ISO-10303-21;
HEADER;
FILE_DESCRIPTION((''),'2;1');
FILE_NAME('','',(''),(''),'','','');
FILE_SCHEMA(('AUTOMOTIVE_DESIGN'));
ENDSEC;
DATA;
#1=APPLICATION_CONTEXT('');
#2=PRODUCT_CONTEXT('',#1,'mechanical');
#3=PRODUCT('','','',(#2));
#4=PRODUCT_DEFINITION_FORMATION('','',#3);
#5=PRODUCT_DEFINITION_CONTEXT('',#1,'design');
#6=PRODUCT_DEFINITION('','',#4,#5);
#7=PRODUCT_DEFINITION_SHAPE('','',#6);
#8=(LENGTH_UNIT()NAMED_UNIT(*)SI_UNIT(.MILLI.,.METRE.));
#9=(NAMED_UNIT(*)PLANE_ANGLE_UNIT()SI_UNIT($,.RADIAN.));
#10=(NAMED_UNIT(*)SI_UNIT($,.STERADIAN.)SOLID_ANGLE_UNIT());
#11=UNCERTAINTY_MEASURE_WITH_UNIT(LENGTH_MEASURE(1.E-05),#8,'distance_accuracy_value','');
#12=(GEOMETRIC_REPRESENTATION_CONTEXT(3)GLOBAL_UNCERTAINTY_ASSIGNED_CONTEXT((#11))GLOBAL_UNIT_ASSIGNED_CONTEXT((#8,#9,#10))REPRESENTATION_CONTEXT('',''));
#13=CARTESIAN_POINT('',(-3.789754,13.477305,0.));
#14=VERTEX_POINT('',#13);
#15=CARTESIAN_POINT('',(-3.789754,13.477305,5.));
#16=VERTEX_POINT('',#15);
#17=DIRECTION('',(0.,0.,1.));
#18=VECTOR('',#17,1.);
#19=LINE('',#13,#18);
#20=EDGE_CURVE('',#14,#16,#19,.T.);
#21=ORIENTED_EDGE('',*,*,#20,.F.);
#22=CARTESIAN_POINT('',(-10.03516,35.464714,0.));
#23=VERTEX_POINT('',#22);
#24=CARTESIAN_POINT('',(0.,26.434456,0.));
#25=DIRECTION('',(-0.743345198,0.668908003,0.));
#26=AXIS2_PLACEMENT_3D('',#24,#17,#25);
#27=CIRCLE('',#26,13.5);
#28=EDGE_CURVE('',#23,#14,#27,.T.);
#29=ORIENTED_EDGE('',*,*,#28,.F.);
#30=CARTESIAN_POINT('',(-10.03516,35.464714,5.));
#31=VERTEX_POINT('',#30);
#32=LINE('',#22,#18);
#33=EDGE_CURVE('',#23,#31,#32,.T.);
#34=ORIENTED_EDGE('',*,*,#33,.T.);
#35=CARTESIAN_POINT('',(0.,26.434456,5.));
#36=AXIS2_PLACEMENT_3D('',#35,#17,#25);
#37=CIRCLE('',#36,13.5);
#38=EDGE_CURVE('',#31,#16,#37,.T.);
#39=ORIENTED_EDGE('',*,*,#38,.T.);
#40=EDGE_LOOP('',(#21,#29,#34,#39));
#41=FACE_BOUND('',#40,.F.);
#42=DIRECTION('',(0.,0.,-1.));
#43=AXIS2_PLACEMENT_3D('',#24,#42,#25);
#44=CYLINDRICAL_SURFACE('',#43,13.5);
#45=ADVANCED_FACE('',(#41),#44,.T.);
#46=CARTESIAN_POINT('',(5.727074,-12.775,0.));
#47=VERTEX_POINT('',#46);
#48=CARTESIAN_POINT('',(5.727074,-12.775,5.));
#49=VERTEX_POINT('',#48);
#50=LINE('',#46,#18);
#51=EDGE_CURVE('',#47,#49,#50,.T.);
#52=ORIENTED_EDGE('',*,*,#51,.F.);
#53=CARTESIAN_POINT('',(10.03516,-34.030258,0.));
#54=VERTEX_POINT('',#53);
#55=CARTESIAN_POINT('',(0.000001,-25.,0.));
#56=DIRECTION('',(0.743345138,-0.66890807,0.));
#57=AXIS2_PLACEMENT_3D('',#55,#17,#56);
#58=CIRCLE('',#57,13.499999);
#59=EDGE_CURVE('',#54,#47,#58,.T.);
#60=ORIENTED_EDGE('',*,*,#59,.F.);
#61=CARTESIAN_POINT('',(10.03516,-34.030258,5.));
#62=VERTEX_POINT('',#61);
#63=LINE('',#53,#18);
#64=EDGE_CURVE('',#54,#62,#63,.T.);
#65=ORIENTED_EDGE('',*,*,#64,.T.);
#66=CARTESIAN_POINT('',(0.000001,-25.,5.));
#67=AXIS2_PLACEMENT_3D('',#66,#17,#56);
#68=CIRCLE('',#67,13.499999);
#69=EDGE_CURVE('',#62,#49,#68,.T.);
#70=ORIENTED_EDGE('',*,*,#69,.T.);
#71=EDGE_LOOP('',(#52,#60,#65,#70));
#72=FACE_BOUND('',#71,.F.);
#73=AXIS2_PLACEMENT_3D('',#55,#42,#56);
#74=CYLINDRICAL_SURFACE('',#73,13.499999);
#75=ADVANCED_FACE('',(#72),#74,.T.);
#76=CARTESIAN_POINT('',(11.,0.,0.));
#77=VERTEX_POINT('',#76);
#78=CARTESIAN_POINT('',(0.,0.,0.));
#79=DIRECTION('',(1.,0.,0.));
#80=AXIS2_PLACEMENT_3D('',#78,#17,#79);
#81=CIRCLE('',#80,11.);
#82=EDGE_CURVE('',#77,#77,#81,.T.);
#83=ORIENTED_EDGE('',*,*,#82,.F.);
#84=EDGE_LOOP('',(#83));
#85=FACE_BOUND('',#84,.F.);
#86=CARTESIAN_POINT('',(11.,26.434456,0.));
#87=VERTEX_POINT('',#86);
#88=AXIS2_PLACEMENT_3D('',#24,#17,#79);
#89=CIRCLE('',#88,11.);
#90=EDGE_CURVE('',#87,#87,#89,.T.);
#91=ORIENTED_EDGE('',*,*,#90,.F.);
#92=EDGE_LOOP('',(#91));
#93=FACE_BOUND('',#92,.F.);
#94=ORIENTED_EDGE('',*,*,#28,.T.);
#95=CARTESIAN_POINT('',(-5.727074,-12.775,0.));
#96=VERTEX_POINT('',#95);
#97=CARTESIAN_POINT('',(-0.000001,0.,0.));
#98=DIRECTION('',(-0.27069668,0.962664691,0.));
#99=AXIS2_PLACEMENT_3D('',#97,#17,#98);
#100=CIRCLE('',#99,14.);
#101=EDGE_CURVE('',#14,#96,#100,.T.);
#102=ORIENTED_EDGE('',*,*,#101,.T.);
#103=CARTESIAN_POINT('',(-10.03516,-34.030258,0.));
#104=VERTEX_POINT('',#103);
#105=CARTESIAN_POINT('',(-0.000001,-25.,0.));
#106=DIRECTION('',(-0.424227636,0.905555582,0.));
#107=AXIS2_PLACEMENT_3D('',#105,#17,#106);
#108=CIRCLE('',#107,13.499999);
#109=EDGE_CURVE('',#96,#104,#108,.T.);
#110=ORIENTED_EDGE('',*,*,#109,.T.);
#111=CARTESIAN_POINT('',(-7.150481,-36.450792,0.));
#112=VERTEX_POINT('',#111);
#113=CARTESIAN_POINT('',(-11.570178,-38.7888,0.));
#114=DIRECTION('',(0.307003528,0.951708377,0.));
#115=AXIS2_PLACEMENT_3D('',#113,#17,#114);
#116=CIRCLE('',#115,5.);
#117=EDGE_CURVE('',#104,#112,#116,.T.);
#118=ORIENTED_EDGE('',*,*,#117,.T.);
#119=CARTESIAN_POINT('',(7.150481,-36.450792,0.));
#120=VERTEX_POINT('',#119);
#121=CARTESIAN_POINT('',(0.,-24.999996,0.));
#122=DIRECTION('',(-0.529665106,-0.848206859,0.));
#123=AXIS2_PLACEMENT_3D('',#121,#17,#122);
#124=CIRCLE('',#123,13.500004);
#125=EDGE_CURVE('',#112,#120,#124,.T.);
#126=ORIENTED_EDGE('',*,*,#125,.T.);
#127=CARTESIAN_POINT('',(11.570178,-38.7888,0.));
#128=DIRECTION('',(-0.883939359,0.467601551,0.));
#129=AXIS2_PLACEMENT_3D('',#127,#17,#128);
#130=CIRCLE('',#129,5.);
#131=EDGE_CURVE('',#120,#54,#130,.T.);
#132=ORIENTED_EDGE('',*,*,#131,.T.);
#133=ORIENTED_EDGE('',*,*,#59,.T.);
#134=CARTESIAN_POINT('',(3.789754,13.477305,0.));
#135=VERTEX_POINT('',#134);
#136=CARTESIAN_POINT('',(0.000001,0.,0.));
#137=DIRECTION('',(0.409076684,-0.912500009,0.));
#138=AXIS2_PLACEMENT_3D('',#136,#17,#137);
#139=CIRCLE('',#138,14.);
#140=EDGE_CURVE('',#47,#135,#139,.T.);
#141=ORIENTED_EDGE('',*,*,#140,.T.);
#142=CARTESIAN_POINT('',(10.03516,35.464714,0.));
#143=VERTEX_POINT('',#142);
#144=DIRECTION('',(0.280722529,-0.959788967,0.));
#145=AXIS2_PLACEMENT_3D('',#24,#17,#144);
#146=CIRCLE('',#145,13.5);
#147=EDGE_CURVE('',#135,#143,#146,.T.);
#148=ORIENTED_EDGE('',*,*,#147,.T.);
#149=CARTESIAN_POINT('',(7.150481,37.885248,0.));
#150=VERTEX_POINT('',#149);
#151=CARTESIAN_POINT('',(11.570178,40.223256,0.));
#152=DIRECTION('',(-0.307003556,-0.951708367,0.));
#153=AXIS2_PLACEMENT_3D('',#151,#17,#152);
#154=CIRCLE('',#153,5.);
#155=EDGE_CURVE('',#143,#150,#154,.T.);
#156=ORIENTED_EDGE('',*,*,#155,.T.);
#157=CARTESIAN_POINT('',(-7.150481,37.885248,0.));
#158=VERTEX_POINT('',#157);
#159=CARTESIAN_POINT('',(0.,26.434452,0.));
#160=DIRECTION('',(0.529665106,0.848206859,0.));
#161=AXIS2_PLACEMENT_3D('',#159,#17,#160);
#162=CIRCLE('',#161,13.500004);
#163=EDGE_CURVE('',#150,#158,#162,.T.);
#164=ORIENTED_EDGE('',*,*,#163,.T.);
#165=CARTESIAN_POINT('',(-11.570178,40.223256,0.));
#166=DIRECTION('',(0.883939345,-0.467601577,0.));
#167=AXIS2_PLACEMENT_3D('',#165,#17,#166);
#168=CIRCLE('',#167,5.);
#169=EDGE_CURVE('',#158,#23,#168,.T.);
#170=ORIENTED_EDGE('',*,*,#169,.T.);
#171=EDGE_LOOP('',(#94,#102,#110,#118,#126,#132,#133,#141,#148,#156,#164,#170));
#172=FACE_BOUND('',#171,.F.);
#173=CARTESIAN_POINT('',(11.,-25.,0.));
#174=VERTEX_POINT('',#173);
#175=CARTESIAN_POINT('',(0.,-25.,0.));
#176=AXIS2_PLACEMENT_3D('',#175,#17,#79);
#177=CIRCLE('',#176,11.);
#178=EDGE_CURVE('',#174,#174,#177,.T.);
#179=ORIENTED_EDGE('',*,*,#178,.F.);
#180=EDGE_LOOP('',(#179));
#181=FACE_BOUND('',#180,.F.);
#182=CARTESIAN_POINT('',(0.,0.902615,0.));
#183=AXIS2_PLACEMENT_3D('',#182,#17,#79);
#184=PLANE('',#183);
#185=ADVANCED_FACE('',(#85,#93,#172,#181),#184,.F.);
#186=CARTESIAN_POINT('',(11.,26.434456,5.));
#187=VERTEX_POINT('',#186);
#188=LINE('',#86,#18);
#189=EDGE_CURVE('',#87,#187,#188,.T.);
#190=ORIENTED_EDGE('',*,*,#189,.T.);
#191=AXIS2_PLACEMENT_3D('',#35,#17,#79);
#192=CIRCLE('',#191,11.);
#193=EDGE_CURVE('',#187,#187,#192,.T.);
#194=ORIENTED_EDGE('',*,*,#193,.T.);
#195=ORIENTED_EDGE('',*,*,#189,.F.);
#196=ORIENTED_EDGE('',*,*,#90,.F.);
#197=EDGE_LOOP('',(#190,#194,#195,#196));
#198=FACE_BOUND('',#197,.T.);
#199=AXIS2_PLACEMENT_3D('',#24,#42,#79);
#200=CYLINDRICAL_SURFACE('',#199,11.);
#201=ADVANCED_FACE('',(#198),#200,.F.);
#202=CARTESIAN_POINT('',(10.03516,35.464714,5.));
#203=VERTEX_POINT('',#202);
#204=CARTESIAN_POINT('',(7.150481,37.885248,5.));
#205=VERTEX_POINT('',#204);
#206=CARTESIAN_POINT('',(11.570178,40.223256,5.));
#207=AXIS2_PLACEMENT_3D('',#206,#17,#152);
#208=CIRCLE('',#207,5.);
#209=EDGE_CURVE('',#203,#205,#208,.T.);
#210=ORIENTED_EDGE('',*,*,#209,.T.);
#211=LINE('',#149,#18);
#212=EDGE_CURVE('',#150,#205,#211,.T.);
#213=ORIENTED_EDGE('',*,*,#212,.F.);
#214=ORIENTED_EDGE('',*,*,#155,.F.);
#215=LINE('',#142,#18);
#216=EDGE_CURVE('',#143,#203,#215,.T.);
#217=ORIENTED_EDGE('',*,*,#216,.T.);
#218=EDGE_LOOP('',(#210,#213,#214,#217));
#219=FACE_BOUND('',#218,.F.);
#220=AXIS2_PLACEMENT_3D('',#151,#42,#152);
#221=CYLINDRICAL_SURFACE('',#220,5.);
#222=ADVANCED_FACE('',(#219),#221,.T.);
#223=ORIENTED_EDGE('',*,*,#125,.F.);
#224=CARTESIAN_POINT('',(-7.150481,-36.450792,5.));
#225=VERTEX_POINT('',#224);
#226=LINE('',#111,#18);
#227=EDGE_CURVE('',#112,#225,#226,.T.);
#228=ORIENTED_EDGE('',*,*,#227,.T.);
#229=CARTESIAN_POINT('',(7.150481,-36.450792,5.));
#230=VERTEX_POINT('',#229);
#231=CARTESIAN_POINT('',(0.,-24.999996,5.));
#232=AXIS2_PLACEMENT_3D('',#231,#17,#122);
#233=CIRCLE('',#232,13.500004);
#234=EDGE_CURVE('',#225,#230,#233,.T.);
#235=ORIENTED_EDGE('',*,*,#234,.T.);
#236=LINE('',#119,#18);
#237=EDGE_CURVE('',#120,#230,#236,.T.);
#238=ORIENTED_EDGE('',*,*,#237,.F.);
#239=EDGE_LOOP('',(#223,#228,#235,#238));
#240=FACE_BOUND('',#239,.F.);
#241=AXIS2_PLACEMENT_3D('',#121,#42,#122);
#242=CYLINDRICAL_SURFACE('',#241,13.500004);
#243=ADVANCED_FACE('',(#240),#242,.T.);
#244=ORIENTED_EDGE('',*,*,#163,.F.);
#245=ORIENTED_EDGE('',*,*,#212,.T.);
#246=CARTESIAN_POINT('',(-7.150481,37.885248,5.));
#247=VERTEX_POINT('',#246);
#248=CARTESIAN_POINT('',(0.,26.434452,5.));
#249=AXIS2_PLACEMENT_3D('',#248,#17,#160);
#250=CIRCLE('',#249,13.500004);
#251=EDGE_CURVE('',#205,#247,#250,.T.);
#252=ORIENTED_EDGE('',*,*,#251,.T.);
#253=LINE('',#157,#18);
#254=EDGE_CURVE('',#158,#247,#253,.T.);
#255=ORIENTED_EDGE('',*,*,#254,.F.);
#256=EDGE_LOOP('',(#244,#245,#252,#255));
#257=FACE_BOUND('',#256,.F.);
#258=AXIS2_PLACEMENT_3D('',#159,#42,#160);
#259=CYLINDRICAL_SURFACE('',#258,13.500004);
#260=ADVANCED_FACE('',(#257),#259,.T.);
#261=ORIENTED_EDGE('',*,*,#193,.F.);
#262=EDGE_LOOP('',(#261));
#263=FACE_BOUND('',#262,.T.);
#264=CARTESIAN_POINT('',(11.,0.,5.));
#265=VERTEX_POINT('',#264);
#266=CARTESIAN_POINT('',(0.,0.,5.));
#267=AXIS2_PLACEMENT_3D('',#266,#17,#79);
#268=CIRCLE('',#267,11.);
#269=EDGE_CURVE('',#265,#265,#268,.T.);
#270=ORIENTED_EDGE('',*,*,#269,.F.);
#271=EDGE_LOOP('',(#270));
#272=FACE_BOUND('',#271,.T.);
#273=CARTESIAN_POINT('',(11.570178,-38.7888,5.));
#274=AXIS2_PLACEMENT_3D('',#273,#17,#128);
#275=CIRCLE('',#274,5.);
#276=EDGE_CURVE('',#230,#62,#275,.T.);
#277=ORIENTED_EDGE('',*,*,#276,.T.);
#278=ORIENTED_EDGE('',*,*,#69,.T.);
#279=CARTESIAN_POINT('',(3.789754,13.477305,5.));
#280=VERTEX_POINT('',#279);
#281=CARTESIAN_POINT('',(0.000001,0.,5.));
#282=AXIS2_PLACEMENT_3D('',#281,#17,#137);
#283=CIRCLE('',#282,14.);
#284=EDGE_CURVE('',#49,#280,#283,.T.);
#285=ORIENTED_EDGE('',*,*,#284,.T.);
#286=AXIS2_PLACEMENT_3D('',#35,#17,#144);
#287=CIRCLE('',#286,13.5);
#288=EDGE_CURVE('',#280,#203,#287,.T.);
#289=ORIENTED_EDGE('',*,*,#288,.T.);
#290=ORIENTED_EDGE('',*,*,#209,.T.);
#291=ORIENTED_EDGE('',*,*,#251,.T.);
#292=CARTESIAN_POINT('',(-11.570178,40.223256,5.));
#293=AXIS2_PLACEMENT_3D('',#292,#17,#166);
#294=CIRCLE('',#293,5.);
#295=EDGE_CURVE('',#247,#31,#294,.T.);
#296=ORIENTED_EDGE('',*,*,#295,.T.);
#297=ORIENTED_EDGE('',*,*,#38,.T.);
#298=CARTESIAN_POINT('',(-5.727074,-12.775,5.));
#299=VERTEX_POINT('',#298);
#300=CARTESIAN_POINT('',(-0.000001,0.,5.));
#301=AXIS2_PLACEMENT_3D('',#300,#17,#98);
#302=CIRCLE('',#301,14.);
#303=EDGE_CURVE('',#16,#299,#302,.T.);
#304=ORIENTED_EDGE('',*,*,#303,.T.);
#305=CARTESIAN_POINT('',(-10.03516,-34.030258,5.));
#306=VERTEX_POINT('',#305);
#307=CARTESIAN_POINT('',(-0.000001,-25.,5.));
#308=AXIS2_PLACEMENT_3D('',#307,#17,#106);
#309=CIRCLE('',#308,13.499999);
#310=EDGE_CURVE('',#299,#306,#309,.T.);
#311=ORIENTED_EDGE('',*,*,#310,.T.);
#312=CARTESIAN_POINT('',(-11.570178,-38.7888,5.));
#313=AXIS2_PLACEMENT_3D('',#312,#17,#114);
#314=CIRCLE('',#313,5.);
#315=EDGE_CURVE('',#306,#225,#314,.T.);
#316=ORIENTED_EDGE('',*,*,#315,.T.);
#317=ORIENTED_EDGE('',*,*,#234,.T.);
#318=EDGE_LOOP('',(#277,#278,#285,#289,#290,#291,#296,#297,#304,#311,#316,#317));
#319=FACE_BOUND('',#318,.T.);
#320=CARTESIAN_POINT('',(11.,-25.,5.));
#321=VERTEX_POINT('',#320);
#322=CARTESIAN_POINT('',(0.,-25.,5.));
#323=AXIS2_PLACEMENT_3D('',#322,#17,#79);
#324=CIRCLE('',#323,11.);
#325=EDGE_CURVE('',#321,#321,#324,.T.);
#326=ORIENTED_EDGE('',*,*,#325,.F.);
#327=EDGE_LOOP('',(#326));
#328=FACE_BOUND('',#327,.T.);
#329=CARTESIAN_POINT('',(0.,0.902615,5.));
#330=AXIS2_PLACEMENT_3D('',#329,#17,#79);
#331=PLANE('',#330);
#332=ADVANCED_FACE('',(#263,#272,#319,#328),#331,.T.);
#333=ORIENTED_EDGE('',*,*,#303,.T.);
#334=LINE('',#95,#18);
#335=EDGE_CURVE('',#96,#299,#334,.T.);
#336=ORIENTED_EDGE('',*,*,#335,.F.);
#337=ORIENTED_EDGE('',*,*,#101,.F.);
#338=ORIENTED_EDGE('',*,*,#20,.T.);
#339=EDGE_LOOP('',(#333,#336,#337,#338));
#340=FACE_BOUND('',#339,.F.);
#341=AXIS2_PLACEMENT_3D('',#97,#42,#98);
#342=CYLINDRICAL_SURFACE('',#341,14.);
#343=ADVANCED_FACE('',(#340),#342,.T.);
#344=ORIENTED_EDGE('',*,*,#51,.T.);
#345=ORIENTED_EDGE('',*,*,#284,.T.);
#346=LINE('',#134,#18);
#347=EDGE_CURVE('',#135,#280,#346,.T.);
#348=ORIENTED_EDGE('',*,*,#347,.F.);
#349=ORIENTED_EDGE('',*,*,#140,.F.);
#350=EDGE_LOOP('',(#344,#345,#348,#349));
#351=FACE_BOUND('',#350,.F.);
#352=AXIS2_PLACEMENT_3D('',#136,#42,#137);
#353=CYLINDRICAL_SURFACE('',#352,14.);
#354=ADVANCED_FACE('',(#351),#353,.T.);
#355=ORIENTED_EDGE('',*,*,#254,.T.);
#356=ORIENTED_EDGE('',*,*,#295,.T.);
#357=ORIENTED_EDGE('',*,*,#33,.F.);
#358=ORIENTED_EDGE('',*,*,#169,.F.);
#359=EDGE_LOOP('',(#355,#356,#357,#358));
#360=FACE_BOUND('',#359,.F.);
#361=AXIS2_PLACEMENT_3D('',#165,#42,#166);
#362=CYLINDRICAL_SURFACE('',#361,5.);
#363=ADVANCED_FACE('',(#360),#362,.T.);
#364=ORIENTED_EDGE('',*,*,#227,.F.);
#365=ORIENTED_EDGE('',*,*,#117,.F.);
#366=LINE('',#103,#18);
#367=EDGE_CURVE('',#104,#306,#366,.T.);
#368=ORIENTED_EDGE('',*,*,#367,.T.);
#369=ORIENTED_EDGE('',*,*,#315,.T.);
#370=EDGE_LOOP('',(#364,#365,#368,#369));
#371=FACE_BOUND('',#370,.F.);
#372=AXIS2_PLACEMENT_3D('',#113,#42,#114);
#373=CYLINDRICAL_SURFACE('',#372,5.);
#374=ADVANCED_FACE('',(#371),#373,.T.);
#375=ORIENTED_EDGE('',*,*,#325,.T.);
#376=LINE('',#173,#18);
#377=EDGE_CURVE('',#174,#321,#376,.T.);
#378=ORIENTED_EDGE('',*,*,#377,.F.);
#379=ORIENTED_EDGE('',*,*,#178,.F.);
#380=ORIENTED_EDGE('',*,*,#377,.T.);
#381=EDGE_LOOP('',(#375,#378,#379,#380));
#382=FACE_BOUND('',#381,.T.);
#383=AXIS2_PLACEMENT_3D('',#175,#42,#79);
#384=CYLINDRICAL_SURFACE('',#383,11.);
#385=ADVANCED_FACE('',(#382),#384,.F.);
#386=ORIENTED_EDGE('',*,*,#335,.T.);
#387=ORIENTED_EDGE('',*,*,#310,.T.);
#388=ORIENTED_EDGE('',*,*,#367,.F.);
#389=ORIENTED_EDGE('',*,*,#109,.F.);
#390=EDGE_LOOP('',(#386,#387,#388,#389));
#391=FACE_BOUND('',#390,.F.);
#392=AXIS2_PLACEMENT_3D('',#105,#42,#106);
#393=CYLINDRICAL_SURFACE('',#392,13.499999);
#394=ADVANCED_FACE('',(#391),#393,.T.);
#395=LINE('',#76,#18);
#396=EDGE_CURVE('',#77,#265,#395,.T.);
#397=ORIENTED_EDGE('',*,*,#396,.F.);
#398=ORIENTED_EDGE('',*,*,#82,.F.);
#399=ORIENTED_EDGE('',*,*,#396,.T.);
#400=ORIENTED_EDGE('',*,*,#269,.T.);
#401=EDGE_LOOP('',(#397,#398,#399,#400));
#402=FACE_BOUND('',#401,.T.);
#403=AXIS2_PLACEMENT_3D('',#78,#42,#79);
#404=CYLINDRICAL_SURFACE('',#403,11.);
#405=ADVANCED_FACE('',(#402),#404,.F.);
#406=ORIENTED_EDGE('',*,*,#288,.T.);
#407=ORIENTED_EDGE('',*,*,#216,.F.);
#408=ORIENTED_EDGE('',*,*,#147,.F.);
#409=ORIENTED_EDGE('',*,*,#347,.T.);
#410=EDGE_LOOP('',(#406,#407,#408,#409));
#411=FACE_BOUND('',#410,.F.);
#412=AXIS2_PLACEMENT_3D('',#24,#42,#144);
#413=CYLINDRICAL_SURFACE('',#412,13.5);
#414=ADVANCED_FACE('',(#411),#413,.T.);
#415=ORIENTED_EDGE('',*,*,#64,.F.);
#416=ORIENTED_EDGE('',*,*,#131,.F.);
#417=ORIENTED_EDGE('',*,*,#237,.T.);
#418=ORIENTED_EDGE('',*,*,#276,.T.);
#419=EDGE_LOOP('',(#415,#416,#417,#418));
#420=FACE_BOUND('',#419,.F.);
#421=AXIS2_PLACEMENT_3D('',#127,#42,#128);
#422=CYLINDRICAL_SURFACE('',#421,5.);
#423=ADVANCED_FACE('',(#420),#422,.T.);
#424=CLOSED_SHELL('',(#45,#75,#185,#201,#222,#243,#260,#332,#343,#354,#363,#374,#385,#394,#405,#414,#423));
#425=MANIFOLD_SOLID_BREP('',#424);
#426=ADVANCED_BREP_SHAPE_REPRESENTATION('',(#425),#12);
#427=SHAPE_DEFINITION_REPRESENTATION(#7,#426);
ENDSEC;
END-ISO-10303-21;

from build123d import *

# Parameters (mm, degrees)
F0_R     = 11
F1_DEPTH = 5


with BuildPart() as f1:
    # F0 (on Top) → F1 (new body)
    with BuildSketch(Plane.XY):
        with BuildLine():
            ThreePointArc((5.727074, -12.775), (13.962034, 1.030345), (3.789754, 13.477305))
            ThreePointArc((3.789754, 13.477305), (12.986285, 22.745771), (10.03516, 35.464714))
            ThreePointArc((10.03516, 35.464714), (14.784115, 44.053479), (7.150481, 37.885248))
            ThreePointArc((7.150481, 37.885248), (0, 39.934456), (-7.150481, 37.885248))
            ThreePointArc((-7.150481, 37.885248), (-14.784115, 44.053479), (-10.03516, 35.464714))
            ThreePointArc((-10.03516, 35.464714), (-12.986285, 22.745771), (-3.789754, 13.477305))
            ThreePointArc((-3.789754, 13.477305), (-13.962034, 1.030345), (-5.727074, -12.775))
            ThreePointArc((-5.727074, -12.775), (-13.230968, -22.318303), (-10.03516, -34.030258))
            ThreePointArc((-10.03516, -34.030258), (-14.784115, -42.619022), (-7.150481, -36.450792))
            ThreePointArc((-7.150481, -36.450792), (0, -38.5), (7.150481, -36.450792))
            ThreePointArc((7.150481, -36.450792), (14.784115, -42.619022), (10.03516, -34.030258))
            ThreePointArc((10.03516, -34.030258), (13.230968, -22.318303), (5.727074, -12.775))
        make_face()
        with Locations((0, -25)):
            Circle(F0_R, mode=Mode.SUBTRACT)
        Circle(F0_R, mode=Mode.SUBTRACT)
        with Locations((0, 26.434456)):
            Circle(F0_R, mode=Mode.SUBTRACT)
    extrude(amount=F1_DEPTH)


solid = f1.part
